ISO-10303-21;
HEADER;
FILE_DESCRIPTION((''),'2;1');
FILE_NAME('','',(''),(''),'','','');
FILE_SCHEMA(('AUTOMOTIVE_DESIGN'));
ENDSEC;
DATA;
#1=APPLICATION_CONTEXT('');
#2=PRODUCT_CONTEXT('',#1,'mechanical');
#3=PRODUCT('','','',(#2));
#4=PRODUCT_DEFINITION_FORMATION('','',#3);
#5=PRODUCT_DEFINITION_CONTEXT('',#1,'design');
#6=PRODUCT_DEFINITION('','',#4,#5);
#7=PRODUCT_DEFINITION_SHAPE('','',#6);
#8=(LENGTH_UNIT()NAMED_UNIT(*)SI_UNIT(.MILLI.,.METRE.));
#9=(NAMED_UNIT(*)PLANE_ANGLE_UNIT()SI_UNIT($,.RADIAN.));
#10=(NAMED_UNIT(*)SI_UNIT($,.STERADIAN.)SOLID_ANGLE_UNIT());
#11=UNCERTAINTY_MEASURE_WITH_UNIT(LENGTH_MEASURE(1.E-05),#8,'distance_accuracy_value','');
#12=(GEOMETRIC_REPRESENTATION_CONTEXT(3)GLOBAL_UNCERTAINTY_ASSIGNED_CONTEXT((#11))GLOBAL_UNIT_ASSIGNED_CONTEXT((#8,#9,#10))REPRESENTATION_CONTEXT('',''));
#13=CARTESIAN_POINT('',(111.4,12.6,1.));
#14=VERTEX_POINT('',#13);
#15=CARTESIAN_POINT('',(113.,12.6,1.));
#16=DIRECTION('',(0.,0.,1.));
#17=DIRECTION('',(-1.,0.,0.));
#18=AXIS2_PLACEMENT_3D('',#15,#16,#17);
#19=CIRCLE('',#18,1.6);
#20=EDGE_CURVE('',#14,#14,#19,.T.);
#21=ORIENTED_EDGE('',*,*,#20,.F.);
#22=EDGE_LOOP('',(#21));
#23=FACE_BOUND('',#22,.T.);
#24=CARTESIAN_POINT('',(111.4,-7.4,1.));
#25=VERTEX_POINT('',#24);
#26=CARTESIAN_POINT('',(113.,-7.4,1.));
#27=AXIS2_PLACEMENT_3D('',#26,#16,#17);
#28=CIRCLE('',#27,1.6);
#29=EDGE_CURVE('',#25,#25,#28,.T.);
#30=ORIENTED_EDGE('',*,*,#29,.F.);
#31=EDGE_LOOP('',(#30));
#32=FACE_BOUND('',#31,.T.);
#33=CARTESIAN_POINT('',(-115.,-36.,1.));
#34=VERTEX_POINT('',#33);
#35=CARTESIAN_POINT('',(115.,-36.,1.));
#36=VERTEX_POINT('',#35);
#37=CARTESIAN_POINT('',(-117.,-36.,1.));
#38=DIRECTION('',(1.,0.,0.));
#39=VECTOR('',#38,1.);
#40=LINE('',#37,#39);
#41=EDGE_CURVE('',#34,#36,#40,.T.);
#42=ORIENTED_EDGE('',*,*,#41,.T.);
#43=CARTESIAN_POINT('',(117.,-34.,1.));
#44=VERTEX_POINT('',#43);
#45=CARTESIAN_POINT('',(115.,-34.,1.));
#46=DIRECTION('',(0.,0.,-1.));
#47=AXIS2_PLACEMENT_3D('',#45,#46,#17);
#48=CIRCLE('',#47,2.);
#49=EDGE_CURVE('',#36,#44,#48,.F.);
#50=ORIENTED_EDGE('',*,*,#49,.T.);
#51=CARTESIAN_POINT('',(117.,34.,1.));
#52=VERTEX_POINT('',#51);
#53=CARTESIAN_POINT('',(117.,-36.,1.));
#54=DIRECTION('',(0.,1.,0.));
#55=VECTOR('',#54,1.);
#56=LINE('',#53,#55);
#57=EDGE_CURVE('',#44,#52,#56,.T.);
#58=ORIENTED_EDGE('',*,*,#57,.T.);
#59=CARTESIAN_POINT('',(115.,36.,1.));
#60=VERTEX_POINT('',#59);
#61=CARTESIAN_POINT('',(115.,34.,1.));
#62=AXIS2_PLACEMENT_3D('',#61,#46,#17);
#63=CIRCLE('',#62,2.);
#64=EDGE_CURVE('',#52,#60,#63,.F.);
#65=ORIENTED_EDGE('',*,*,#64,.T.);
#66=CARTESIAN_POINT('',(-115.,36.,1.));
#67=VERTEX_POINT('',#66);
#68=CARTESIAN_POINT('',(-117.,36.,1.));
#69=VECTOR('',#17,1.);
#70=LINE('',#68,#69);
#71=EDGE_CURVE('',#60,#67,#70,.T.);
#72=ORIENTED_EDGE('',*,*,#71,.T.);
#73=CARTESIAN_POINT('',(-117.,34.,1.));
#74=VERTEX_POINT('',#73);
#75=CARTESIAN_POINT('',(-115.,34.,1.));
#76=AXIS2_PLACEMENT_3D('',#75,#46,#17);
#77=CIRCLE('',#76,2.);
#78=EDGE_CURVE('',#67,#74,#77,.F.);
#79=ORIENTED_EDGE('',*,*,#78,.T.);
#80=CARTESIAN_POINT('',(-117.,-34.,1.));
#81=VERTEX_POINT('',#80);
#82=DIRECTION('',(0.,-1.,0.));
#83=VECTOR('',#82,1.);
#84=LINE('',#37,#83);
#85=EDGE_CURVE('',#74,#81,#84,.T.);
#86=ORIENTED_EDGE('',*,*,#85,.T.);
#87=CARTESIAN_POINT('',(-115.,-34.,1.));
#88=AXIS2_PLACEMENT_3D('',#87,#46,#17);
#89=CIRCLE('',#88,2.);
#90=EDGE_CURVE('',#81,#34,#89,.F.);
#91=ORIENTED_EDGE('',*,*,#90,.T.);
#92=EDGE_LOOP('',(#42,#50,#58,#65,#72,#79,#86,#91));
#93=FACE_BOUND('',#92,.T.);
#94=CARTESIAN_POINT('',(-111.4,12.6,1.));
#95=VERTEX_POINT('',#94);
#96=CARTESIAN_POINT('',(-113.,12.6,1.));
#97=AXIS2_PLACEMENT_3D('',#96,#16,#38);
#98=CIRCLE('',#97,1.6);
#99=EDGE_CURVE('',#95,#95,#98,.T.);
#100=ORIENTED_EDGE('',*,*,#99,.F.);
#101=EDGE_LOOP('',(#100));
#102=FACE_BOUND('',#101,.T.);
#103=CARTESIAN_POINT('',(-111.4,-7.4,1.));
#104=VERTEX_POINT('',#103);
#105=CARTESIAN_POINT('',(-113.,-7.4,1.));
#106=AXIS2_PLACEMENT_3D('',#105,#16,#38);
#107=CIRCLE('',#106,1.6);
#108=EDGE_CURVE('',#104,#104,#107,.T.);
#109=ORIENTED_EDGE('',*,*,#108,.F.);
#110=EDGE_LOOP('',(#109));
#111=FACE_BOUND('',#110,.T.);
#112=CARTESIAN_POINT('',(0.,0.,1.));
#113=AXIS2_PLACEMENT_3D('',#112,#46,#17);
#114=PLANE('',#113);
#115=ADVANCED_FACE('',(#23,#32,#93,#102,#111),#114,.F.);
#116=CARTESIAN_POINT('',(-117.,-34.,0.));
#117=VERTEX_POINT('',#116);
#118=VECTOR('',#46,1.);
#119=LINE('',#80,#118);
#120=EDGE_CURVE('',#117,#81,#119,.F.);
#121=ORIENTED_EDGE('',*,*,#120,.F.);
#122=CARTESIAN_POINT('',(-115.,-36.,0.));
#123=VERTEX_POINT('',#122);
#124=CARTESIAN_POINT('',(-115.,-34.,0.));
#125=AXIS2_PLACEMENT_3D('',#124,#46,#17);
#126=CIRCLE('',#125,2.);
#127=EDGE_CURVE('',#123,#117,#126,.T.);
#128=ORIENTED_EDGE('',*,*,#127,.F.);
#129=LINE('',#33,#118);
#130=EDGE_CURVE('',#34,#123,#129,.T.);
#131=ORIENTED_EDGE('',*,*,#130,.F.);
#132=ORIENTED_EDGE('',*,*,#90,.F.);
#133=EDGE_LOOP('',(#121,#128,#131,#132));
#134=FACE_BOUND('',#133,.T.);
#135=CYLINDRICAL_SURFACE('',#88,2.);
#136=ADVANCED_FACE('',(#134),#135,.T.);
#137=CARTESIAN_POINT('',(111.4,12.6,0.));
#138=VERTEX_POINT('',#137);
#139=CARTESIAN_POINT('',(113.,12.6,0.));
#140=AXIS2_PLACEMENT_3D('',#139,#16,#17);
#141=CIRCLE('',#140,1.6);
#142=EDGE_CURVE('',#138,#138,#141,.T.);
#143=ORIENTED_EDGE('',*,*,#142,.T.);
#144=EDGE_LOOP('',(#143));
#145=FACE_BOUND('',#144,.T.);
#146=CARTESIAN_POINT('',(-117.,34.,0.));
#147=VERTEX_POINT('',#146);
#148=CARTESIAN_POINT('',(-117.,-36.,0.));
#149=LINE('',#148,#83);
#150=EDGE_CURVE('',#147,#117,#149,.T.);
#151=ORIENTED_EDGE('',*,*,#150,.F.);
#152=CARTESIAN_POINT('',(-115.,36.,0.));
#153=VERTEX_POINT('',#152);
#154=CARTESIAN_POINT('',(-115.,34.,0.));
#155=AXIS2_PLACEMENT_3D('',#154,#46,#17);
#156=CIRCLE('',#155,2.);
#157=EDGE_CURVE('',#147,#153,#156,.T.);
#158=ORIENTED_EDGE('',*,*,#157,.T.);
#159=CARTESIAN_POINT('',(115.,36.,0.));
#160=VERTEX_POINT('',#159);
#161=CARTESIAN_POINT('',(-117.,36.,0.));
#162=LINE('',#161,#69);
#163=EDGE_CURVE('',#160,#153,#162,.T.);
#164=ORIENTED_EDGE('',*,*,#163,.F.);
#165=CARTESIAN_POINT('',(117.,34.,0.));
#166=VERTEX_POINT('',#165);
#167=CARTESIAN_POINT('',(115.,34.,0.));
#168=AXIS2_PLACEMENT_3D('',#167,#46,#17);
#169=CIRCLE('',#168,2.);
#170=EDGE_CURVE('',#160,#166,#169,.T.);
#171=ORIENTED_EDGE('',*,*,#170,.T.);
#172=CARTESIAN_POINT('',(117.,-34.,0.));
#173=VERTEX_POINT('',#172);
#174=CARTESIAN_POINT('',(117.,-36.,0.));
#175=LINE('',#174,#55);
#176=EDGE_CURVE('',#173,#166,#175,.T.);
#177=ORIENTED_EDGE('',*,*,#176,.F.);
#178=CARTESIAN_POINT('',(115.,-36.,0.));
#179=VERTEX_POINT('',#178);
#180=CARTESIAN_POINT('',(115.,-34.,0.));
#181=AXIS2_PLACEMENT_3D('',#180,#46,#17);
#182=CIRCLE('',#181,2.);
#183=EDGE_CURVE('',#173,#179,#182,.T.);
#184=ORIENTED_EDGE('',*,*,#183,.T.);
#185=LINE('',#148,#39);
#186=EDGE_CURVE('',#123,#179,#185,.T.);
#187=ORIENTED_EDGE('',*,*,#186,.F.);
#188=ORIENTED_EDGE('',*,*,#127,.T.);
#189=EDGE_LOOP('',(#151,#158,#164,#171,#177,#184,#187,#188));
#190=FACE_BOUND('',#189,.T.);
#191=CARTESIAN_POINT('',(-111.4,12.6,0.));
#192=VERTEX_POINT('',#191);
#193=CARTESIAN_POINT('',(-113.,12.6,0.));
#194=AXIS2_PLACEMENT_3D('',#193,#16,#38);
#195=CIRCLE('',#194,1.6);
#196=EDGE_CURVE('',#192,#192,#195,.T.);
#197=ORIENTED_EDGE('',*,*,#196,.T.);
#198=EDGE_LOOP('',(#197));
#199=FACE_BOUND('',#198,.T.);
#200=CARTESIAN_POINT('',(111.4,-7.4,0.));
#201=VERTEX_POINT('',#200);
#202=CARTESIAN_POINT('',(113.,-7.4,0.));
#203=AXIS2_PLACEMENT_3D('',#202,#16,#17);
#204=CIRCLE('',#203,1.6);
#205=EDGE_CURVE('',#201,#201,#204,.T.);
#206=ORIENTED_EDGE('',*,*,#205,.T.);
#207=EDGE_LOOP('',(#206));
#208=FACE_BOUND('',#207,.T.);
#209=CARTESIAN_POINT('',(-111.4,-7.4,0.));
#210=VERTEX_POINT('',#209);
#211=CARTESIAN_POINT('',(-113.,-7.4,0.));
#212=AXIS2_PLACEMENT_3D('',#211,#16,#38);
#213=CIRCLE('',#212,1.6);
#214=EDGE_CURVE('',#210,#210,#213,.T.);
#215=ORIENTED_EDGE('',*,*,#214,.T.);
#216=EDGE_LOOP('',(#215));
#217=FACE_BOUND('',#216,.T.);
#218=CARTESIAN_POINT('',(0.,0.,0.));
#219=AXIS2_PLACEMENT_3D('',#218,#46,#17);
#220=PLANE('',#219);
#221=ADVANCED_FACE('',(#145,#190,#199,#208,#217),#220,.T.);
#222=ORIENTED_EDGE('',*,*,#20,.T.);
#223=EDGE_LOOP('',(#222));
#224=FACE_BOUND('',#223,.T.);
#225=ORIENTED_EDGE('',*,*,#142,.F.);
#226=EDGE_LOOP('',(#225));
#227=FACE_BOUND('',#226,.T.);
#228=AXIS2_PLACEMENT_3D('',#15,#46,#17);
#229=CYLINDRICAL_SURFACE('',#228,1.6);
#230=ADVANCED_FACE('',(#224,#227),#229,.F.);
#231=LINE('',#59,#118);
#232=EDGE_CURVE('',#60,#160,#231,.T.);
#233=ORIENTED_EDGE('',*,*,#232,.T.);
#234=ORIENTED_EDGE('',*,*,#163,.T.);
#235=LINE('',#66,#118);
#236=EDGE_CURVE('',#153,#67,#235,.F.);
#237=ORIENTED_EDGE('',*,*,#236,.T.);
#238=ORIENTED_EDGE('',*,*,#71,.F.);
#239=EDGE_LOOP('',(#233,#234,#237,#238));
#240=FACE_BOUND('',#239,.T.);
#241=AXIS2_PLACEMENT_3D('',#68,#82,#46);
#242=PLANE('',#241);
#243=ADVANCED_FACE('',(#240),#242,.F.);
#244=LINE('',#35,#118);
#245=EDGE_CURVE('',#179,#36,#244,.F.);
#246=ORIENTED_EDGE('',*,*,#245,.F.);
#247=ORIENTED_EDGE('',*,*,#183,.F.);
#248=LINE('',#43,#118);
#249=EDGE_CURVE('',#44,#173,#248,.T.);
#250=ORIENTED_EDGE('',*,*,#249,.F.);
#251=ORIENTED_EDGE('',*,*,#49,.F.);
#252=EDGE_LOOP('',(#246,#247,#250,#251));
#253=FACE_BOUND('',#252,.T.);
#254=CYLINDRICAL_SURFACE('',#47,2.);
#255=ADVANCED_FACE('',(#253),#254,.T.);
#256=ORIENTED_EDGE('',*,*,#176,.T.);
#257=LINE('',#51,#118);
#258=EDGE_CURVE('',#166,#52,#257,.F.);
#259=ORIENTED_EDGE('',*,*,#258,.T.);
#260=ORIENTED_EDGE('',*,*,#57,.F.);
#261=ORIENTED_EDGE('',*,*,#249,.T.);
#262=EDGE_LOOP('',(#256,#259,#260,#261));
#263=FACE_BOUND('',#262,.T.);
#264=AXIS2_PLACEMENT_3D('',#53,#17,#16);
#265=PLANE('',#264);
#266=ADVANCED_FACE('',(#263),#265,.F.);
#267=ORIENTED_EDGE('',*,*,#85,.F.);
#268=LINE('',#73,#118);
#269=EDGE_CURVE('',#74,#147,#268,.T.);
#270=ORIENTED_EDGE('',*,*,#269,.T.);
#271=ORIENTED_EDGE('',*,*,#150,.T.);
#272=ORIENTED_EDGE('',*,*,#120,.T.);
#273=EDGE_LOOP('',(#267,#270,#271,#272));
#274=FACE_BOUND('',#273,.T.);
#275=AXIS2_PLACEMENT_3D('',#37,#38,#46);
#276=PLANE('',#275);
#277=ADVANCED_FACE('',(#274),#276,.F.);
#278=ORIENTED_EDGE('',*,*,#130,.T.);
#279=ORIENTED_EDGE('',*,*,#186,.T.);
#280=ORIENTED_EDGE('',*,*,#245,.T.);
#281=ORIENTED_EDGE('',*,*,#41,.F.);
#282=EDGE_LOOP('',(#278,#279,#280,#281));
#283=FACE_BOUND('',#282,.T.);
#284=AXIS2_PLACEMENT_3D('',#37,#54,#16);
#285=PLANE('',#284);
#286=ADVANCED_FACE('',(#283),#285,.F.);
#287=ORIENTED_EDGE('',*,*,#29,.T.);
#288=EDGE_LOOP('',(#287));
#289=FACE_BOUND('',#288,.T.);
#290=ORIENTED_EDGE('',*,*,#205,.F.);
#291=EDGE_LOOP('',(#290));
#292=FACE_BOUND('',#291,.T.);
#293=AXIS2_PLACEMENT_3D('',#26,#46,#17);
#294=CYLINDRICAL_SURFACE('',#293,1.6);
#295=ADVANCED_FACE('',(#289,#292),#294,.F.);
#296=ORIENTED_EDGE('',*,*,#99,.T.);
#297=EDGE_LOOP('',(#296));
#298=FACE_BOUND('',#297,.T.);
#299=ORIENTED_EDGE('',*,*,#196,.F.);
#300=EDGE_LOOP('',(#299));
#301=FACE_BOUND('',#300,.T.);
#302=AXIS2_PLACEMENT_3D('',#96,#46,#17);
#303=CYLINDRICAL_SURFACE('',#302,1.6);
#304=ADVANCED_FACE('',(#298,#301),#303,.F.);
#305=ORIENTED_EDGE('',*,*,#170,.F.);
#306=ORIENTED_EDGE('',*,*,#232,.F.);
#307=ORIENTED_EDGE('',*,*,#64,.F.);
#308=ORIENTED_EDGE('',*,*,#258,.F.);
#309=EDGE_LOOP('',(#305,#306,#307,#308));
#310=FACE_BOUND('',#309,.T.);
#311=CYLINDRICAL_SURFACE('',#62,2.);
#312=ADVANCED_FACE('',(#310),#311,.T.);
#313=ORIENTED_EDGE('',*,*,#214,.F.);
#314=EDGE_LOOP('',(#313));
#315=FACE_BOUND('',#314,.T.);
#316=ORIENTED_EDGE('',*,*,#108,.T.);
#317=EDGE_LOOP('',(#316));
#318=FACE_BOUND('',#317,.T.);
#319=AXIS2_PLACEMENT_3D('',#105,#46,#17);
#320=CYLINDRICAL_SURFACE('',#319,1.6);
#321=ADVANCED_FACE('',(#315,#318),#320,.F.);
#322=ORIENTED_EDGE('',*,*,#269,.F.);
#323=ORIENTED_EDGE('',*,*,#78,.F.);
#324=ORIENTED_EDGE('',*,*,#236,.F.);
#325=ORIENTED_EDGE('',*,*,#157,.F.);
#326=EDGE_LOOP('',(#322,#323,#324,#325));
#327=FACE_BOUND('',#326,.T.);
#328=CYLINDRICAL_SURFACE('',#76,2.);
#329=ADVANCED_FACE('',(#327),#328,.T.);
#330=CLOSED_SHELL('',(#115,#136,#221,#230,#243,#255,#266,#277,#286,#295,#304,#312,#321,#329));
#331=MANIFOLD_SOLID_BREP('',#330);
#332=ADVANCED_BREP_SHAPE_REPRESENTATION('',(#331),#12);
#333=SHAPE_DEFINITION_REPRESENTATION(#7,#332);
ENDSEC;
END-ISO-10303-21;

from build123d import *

# Parameters (mm, degrees)
SKETCH_1_W      = 234
SKETCH_1_H      = 72
SKETCH_1_R      = 1.6
EXTRUDE_1_DEPTH = 1
FILLET_1_R      = 2


with BuildPart() as part:
    # 草图1 → 凸台-拉伸1 (new body)
    with BuildSketch(Plane.XY):
        Rectangle(SKETCH_1_W, SKETCH_1_H)
        with Locations((-113, 12.6)):
            Circle(SKETCH_1_R, mode=Mode.SUBTRACT)
        with Locations((-113, -7.4)):
            Circle(SKETCH_1_R, mode=Mode.SUBTRACT)
        with Locations(Location((113, -7.4, 0), (0, 0, 180))):
            Circle(SKETCH_1_R, mode=Mode.SUBTRACT)
        with Locations(Location((113, 12.6, 0), (0, 0, 180))):
            Circle(SKETCH_1_R, mode=Mode.SUBTRACT)
    extrude(amount=EXTRUDE_1_DEPTH)

    # 圆角1
    fillet_1_edges = [part.edges().sort_by_distance(p)[0] for p in [
        (117, -36, 0.5),
        (-117, -36, 0.5),
        (-117, 36, 0.5),
        (117, 36, 0.5),
    ]]
    fillet(fillet_1_edges, radius=FILLET_1_R)


solid = part.part
